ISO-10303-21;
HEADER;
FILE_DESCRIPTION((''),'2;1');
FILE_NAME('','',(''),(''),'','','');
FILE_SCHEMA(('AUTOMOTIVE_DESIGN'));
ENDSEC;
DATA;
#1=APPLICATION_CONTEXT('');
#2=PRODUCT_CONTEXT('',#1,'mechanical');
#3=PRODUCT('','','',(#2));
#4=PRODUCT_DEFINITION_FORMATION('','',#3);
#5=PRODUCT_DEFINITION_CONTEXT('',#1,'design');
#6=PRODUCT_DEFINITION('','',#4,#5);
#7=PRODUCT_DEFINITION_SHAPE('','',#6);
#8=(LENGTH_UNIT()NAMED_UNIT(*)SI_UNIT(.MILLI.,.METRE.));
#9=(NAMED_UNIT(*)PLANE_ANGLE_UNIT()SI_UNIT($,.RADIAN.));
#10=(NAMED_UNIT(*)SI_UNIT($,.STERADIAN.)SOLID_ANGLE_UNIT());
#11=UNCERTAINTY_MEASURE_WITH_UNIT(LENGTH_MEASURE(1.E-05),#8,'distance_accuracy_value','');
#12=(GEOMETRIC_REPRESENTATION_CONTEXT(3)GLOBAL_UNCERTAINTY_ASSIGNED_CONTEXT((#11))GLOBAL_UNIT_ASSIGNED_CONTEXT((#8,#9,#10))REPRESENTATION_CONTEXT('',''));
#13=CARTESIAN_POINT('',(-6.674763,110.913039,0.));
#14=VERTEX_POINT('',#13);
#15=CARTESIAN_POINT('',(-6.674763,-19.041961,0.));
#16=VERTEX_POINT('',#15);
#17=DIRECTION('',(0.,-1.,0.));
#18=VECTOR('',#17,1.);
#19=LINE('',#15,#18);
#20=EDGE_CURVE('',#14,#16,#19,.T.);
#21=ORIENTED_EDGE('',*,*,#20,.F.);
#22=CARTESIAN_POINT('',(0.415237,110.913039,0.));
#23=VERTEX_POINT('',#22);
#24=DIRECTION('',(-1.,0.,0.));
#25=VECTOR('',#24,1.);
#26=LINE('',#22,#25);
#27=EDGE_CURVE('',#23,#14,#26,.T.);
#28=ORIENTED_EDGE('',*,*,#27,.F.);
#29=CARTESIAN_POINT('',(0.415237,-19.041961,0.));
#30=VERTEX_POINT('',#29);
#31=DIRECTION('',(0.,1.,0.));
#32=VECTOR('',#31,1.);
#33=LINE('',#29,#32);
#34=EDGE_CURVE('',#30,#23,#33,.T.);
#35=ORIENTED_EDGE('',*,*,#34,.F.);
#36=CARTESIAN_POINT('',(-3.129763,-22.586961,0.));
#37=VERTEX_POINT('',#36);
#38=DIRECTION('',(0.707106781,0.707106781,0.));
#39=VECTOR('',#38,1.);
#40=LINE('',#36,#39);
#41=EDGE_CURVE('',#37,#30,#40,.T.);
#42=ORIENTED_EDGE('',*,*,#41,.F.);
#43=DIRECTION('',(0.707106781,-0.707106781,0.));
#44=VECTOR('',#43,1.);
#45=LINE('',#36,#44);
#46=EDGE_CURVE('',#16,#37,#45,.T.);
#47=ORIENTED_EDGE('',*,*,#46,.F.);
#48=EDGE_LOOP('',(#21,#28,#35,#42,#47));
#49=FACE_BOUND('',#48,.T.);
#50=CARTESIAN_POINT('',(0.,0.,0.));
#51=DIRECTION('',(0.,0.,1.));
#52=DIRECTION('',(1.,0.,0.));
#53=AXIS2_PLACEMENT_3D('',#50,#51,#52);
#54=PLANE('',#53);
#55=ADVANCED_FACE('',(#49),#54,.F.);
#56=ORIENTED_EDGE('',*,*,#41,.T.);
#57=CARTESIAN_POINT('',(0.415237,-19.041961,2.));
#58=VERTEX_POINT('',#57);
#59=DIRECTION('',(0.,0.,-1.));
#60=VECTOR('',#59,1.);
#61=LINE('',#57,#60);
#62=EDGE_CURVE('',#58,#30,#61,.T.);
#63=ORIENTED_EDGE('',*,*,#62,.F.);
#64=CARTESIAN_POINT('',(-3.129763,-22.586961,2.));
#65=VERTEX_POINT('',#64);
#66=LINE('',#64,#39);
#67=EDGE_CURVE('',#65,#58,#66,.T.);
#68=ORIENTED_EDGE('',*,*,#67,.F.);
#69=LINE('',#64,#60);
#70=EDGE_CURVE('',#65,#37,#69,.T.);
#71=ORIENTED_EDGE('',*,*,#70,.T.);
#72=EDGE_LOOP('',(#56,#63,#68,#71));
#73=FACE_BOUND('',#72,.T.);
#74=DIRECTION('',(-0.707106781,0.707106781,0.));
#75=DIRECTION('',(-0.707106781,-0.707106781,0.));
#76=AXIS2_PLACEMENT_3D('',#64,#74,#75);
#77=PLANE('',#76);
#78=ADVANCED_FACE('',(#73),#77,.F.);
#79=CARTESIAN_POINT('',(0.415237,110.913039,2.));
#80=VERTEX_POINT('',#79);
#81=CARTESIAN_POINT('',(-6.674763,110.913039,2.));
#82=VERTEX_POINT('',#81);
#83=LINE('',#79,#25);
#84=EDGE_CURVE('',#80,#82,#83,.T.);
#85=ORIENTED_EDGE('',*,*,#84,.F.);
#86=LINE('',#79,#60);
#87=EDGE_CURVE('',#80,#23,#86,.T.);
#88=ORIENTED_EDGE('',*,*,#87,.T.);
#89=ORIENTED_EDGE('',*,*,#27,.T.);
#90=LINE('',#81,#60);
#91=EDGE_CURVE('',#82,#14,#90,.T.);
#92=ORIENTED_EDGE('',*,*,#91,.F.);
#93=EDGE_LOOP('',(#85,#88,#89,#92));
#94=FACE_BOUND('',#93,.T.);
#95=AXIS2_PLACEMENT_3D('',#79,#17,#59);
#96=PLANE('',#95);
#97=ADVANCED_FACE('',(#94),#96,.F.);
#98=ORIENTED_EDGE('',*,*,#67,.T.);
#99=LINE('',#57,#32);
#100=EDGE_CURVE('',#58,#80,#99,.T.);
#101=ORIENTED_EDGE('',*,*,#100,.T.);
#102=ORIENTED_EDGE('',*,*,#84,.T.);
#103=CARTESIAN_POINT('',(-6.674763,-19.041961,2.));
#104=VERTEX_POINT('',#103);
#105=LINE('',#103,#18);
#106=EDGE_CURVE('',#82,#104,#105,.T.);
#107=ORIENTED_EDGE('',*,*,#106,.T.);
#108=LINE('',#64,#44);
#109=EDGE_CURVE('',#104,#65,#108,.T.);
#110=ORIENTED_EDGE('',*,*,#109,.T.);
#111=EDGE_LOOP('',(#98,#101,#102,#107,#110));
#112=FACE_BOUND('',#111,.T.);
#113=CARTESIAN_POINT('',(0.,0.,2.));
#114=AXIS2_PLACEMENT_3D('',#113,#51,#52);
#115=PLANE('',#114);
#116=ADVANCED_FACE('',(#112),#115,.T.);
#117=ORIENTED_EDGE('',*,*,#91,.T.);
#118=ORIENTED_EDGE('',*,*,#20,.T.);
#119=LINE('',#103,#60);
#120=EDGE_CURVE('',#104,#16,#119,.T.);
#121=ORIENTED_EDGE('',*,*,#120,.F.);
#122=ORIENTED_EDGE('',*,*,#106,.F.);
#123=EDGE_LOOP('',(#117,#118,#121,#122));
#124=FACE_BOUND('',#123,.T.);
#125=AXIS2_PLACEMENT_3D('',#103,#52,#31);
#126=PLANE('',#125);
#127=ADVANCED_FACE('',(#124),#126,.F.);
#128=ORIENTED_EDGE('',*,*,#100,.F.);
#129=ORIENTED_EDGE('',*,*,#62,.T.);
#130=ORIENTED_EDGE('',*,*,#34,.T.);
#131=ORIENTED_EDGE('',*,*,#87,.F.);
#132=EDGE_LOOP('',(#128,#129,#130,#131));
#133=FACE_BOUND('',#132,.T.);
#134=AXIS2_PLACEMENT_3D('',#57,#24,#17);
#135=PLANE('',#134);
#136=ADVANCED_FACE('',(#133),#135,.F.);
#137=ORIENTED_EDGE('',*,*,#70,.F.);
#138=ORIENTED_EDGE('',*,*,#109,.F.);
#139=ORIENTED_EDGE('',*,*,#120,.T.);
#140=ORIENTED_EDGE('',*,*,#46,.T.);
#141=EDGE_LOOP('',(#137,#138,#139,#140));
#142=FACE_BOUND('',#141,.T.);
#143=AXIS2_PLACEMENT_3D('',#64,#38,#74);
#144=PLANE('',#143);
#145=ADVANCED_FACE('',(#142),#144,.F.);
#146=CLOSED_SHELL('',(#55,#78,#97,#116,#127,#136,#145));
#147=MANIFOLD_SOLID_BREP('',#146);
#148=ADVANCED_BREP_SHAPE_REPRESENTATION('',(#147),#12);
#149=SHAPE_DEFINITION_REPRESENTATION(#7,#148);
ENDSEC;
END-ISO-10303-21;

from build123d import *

# Parameters (mm, degrees)
BOSS_EXTRUDE1_DEPTH = 2


with BuildPart() as part:
    # Sketch1 → Boss-Extrude1 (new body)
    with BuildSketch(Plane.XY):
        Polygon((-3.129762973, -22.586960514), (0.415237027, -19.041960514), (0.415237027, 110.913039486), (-6.674762973, 110.913039486), (-6.674762973, -19.041960514), align=None)
    extrude(amount=BOSS_EXTRUDE1_DEPTH)


solid = part.part
